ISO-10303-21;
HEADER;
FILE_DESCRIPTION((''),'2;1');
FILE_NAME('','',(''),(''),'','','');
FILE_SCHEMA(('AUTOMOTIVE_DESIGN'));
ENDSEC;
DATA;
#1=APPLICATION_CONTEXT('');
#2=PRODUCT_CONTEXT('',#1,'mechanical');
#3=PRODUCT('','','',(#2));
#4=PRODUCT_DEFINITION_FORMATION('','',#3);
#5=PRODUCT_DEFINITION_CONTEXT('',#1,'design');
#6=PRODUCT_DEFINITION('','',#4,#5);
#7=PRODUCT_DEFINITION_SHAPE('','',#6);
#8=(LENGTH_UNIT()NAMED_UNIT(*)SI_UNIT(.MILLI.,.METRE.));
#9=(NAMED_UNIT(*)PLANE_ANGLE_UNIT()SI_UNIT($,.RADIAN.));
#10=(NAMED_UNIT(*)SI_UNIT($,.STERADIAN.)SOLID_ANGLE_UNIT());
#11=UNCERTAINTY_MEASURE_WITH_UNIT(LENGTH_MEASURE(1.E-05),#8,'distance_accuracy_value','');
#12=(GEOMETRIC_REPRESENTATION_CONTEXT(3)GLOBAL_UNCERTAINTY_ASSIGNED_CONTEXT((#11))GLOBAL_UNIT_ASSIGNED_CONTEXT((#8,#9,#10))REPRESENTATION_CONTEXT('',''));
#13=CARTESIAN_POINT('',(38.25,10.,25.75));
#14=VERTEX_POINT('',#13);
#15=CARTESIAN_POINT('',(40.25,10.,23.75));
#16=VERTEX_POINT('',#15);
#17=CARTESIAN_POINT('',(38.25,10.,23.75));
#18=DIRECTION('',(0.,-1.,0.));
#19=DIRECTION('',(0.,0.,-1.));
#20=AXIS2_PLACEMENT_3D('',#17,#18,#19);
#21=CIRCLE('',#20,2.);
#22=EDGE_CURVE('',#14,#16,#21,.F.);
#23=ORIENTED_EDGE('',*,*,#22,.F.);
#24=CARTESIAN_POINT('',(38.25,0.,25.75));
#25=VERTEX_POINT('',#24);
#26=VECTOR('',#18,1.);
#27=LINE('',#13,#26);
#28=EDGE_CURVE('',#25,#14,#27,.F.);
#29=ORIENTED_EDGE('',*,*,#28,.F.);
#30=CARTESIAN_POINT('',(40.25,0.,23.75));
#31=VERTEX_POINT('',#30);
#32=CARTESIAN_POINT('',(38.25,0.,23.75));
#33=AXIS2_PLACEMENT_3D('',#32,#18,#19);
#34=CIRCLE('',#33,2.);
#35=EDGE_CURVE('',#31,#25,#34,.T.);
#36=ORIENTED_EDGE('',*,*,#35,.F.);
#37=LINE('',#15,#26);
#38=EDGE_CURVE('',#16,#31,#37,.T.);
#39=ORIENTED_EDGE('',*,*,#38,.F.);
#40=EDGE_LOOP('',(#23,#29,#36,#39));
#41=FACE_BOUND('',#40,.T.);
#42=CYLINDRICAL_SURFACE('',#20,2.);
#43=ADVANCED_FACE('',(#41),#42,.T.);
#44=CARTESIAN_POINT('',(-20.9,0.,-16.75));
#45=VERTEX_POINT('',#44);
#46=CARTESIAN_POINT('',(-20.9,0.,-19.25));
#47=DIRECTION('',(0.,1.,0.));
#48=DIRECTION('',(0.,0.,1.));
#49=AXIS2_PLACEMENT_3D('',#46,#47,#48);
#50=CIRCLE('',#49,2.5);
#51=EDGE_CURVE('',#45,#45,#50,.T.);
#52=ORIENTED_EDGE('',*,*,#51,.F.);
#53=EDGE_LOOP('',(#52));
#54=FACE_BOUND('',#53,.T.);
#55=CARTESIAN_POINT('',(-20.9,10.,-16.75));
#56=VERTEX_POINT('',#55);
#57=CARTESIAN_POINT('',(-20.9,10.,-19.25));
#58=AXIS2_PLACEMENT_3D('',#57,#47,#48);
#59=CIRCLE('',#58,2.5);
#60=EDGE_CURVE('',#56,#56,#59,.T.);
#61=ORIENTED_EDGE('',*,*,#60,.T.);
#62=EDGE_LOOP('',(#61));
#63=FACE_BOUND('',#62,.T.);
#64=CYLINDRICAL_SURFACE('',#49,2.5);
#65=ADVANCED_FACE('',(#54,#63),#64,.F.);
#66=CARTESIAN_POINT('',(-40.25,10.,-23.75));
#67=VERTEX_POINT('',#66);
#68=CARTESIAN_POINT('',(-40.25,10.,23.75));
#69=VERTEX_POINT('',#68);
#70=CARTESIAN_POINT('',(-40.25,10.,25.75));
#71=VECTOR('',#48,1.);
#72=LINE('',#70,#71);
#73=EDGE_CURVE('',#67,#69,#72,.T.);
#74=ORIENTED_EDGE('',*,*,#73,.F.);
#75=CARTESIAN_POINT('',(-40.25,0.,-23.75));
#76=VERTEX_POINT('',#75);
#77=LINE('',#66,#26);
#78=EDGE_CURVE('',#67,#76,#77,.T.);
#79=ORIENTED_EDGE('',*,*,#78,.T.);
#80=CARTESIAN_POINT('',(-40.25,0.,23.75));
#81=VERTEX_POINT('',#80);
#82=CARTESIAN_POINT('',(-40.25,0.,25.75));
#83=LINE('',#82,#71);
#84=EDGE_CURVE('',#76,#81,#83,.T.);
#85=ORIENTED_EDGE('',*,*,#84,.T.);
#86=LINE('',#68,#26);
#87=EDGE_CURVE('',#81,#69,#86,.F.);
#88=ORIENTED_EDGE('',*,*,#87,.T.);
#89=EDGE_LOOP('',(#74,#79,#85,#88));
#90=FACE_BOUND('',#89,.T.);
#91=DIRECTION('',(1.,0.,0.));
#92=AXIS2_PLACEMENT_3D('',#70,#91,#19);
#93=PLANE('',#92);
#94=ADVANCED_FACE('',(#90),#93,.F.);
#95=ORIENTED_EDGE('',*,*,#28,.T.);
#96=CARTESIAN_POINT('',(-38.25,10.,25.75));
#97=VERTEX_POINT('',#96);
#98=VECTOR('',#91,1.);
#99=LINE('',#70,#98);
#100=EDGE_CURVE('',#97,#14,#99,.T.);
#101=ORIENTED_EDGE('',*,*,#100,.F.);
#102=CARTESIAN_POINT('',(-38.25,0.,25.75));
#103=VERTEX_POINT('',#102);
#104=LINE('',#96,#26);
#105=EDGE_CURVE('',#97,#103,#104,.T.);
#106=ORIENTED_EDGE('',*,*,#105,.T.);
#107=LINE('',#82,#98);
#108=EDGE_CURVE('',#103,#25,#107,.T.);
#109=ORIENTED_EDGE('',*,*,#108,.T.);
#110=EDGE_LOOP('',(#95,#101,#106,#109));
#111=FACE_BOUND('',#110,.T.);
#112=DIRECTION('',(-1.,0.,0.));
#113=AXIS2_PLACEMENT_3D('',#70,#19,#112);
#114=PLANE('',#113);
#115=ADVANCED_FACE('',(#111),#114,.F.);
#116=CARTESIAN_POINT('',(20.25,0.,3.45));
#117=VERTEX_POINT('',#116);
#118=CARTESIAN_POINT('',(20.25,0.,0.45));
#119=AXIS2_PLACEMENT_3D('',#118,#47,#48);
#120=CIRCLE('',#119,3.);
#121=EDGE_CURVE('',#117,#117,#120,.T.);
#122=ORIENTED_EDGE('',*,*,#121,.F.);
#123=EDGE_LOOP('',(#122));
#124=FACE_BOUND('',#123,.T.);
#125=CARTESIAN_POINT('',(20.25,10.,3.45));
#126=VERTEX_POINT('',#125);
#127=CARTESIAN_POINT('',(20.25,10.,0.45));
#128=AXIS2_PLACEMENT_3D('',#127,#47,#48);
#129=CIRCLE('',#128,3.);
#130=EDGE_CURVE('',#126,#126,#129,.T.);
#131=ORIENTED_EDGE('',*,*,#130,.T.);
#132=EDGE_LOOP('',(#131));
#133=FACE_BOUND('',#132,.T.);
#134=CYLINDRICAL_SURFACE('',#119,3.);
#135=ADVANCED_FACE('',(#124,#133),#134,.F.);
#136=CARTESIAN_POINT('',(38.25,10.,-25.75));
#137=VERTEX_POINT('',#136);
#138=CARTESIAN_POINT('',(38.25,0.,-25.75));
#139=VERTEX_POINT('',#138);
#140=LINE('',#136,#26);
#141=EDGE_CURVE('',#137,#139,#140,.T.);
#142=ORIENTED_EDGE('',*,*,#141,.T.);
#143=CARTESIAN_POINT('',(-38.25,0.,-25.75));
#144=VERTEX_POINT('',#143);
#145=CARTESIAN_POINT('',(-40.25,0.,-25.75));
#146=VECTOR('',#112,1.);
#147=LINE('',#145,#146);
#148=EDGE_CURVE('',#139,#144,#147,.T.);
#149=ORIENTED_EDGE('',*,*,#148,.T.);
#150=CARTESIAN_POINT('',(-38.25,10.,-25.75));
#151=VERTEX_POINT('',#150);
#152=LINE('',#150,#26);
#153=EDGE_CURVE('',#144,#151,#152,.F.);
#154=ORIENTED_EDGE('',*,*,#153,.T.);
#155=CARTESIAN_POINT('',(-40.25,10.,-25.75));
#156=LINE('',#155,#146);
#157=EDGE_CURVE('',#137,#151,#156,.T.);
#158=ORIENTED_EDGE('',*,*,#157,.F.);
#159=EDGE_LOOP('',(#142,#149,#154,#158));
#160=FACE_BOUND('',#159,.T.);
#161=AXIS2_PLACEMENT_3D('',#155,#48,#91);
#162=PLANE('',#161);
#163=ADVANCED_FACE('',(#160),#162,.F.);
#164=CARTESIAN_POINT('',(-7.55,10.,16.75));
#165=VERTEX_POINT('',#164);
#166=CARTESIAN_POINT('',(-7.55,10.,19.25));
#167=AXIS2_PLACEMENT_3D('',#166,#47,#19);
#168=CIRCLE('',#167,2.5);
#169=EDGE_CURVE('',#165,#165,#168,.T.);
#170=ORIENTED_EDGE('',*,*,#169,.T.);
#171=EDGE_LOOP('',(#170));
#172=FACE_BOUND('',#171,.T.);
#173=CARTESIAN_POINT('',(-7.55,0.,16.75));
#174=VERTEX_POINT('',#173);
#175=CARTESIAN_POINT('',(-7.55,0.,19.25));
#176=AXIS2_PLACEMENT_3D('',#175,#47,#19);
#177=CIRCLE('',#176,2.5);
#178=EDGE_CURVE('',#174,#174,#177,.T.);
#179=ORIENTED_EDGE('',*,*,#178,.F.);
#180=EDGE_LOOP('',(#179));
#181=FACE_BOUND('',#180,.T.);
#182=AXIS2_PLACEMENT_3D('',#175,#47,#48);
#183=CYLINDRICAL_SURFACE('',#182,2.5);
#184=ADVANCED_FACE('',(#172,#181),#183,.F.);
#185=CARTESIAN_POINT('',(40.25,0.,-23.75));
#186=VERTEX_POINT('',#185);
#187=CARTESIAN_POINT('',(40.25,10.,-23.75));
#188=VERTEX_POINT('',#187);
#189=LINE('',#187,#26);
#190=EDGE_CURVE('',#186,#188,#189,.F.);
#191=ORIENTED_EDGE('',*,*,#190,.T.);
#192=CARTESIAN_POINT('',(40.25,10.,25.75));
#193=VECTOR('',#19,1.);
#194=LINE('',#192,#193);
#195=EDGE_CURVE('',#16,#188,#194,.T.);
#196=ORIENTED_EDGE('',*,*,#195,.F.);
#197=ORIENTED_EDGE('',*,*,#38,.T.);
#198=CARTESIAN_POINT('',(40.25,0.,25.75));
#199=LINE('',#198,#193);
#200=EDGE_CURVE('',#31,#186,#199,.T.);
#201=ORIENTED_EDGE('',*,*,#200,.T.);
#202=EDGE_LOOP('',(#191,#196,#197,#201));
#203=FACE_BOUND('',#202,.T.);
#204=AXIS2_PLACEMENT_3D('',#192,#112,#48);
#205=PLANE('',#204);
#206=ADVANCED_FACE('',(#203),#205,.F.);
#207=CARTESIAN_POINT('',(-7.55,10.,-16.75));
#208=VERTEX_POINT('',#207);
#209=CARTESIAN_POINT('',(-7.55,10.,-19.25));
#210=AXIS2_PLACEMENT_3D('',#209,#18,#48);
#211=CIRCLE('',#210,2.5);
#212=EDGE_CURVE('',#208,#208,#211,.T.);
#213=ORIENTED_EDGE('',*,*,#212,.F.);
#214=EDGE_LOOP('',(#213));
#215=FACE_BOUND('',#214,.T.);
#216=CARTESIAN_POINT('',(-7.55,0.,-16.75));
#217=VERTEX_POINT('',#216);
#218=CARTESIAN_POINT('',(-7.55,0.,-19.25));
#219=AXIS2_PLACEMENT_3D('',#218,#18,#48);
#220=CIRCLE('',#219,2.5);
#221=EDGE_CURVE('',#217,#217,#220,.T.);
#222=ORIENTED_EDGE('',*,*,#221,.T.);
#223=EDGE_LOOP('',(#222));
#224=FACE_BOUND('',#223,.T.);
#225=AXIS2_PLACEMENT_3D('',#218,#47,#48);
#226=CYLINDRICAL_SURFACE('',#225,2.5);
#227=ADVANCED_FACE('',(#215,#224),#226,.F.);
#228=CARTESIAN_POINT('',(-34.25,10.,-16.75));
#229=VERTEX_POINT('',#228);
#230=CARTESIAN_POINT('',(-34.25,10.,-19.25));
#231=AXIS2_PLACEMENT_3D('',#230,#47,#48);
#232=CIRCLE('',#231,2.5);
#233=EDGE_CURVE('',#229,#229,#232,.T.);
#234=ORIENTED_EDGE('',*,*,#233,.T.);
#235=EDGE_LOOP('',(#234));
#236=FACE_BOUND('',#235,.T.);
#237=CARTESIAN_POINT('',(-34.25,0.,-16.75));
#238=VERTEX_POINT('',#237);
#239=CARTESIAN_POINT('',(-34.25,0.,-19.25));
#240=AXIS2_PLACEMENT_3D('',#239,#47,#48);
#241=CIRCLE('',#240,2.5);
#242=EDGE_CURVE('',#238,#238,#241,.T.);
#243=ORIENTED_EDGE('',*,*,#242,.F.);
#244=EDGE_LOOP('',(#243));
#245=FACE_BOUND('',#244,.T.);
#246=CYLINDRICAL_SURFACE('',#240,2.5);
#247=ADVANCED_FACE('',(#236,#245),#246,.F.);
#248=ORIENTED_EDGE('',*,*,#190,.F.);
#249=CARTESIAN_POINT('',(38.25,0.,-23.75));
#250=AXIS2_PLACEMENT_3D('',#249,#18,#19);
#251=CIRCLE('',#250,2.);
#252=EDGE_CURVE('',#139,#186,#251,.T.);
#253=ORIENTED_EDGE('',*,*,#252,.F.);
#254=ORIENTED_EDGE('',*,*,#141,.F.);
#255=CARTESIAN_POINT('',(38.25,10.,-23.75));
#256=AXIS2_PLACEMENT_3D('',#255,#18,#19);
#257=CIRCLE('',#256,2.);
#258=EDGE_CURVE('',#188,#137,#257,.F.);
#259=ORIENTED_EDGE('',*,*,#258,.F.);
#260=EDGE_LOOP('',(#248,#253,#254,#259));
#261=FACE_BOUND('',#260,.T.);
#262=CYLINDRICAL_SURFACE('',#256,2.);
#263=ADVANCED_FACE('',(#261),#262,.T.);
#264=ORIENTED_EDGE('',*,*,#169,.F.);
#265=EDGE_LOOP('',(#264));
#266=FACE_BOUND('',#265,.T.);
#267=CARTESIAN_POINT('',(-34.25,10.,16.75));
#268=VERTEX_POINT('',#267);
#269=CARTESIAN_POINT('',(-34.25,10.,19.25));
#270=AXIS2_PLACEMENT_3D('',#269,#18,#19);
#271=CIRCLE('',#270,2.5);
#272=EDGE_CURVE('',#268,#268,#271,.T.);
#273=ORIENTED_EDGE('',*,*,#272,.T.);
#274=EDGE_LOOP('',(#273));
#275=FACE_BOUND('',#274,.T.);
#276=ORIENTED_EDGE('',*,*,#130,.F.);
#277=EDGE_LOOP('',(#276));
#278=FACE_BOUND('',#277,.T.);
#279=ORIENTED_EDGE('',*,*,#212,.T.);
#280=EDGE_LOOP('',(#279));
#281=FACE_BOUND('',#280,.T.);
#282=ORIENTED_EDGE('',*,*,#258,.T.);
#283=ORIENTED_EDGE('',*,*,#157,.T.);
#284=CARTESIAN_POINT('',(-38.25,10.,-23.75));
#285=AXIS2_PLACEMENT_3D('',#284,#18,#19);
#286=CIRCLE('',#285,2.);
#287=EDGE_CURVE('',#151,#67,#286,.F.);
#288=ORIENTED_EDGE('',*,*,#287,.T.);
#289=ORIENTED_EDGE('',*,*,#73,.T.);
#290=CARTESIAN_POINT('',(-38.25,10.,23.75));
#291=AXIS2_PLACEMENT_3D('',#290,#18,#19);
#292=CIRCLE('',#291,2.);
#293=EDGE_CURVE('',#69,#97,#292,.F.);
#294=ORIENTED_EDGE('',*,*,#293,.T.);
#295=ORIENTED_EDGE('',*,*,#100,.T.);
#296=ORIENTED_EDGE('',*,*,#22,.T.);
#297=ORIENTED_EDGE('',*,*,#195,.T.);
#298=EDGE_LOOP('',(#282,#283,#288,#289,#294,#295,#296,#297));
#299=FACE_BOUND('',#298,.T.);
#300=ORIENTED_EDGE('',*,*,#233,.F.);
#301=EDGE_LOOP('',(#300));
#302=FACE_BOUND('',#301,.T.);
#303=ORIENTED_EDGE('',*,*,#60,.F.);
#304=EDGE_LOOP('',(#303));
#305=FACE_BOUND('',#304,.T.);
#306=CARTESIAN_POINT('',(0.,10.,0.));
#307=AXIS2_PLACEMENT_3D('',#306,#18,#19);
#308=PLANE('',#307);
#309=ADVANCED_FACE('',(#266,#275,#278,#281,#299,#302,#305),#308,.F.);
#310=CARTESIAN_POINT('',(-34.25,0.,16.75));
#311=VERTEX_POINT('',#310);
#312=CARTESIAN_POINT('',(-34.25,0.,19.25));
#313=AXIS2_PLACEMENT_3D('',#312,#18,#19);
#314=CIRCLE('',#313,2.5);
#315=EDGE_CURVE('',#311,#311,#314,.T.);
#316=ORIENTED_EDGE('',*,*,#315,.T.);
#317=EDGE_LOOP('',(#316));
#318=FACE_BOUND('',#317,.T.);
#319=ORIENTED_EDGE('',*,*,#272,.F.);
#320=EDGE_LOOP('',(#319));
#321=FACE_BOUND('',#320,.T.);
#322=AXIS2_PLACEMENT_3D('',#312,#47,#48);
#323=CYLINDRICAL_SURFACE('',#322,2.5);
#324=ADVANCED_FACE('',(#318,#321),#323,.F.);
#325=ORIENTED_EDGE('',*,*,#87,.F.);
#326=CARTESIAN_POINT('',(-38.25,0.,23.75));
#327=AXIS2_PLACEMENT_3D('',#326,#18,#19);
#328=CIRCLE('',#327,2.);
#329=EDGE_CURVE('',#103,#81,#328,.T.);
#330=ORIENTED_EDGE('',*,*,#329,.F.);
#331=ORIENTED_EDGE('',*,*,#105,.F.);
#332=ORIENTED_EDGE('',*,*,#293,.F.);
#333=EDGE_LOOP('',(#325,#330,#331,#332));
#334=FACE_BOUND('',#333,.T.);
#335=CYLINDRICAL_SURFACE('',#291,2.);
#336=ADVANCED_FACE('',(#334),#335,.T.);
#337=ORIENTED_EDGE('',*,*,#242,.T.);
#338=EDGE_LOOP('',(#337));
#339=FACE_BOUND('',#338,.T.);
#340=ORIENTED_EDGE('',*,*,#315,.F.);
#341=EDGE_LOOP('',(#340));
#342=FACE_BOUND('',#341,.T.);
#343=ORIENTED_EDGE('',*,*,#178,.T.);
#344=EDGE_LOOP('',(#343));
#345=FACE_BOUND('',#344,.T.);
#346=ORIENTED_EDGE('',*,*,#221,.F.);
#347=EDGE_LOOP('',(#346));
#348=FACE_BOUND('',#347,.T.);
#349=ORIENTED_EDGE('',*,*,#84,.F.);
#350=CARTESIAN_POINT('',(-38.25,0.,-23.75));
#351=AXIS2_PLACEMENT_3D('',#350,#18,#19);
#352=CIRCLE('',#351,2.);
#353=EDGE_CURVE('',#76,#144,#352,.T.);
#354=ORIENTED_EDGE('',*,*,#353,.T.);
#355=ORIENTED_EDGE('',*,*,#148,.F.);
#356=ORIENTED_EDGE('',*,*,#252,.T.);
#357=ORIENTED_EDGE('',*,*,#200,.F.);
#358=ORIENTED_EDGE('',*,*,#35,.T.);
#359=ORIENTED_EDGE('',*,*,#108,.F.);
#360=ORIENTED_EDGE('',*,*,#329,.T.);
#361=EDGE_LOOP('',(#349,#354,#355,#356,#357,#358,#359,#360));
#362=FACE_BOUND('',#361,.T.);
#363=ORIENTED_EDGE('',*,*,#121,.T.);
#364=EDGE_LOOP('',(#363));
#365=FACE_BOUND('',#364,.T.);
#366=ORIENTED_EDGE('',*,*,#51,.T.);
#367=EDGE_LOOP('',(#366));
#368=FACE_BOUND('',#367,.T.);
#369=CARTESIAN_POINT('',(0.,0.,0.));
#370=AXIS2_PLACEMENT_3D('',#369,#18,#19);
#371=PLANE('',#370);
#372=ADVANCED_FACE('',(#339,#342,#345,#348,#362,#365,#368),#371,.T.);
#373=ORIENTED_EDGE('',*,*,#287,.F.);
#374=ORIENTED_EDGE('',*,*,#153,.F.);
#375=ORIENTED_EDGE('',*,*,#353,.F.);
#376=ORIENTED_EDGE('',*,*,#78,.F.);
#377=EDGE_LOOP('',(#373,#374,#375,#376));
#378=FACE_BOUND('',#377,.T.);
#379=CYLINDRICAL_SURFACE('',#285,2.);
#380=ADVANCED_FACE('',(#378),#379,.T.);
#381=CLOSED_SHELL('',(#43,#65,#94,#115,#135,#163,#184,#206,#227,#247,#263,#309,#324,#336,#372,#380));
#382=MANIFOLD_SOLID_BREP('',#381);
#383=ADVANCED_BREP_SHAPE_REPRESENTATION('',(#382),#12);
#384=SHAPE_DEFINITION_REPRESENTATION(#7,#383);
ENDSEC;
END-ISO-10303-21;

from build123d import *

# Parameters (mm, degrees)
SKETCH1_W               = 80.5
SKETCH1_H               = 51.5
BOSS_EXTRUDE1_DEPTH     = 10
SKETCH2_R               = 2.5
CUT_EXTRUDE1_DEPTH      = 11
MIRROR2_COPY_1_SKETCH_R = 2.5
MIRROR2_COPY_1_DEPTH    = 11
SKETCH3_R               = 2.5
CUT_EXTRUDE2_DEPTH      = 11
SKETCH4_R               = 3
CUT_EXTRUDE3_DEPTH      = 11
FILLET1_R               = 2


with BuildPart() as part:
    # Sketch1 → Boss-Extrude1 (new body)
    with BuildSketch(Plane(origin=(0, 0, 0), x_dir=(1, 0, 0), z_dir=(0, 1, 0))):
        Rectangle(SKETCH1_W, SKETCH1_H)
    extrude(amount=BOSS_EXTRUDE1_DEPTH)

    # Sketch2 → Cut-Extrude1 (cut, through all)
    with BuildSketch(Plane(origin=(0, 10, 0), x_dir=(1, 0, 0), z_dir=(0, 1, 0))):
        with Locations((-34.25, 19.25)):
            Circle(SKETCH2_R)
    cut_extrude1 = extrude(amount=-CUT_EXTRUDE1_DEPTH, mode=Mode.SUBTRACT)

    # Mirror1: Cut-Extrude1 across plane
    add(cut_extrude1.mirror(Plane.ZY.offset(20.9)), mode=Mode.SUBTRACT)

    # Mirror2: Cut-Extrude1 across plane
    add(cut_extrude1.mirror(Plane.XY), mode=Mode.SUBTRACT)

    # Mirror2 copy 1 sketch → Mirror2 copy 1 (cut, through all)
    with BuildSketch(Plane(origin=(-41.8, 10, 0), x_dir=(-1, 0, 0), z_dir=(0, 1, 0))):
        with Locations((-34.25, 19.25)):
            Circle(MIRROR2_COPY_1_SKETCH_R)
    extrude(amount=-MIRROR2_COPY_1_DEPTH, mode=Mode.SUBTRACT)

    # Sketch3 → Cut-Extrude2 (cut, through all)
    with BuildSketch(Plane(origin=(0, 10, 0), x_dir=(1, 0, 0), z_dir=(0, 1, 0))):
        with Locations((-20.9, 19.25)):
            Circle(SKETCH3_R)
    extrude(amount=-CUT_EXTRUDE2_DEPTH, mode=Mode.SUBTRACT)

    # Sketch4 → Cut-Extrude3 (cut, through all)
    with BuildSketch(Plane(origin=(0, 10, 0), x_dir=(1, 0, 0), z_dir=(0, 1, 0))):
        with Locations((20.25, -0.45)):
            Circle(SKETCH4_R)
    extrude(amount=-CUT_EXTRUDE3_DEPTH, mode=Mode.SUBTRACT)

    # Fillet1
    fillet1_edges = [part.edges().sort_by_distance(p)[0] for p in [
        (40.25, 5, 25.75),
        (-40.25, 5, 25.75),
        (-40.25, 5, -25.75),
        (40.25, 5, -25.75),
    ]]
    fillet(fillet1_edges, radius=FILLET1_R)


solid = part.part
